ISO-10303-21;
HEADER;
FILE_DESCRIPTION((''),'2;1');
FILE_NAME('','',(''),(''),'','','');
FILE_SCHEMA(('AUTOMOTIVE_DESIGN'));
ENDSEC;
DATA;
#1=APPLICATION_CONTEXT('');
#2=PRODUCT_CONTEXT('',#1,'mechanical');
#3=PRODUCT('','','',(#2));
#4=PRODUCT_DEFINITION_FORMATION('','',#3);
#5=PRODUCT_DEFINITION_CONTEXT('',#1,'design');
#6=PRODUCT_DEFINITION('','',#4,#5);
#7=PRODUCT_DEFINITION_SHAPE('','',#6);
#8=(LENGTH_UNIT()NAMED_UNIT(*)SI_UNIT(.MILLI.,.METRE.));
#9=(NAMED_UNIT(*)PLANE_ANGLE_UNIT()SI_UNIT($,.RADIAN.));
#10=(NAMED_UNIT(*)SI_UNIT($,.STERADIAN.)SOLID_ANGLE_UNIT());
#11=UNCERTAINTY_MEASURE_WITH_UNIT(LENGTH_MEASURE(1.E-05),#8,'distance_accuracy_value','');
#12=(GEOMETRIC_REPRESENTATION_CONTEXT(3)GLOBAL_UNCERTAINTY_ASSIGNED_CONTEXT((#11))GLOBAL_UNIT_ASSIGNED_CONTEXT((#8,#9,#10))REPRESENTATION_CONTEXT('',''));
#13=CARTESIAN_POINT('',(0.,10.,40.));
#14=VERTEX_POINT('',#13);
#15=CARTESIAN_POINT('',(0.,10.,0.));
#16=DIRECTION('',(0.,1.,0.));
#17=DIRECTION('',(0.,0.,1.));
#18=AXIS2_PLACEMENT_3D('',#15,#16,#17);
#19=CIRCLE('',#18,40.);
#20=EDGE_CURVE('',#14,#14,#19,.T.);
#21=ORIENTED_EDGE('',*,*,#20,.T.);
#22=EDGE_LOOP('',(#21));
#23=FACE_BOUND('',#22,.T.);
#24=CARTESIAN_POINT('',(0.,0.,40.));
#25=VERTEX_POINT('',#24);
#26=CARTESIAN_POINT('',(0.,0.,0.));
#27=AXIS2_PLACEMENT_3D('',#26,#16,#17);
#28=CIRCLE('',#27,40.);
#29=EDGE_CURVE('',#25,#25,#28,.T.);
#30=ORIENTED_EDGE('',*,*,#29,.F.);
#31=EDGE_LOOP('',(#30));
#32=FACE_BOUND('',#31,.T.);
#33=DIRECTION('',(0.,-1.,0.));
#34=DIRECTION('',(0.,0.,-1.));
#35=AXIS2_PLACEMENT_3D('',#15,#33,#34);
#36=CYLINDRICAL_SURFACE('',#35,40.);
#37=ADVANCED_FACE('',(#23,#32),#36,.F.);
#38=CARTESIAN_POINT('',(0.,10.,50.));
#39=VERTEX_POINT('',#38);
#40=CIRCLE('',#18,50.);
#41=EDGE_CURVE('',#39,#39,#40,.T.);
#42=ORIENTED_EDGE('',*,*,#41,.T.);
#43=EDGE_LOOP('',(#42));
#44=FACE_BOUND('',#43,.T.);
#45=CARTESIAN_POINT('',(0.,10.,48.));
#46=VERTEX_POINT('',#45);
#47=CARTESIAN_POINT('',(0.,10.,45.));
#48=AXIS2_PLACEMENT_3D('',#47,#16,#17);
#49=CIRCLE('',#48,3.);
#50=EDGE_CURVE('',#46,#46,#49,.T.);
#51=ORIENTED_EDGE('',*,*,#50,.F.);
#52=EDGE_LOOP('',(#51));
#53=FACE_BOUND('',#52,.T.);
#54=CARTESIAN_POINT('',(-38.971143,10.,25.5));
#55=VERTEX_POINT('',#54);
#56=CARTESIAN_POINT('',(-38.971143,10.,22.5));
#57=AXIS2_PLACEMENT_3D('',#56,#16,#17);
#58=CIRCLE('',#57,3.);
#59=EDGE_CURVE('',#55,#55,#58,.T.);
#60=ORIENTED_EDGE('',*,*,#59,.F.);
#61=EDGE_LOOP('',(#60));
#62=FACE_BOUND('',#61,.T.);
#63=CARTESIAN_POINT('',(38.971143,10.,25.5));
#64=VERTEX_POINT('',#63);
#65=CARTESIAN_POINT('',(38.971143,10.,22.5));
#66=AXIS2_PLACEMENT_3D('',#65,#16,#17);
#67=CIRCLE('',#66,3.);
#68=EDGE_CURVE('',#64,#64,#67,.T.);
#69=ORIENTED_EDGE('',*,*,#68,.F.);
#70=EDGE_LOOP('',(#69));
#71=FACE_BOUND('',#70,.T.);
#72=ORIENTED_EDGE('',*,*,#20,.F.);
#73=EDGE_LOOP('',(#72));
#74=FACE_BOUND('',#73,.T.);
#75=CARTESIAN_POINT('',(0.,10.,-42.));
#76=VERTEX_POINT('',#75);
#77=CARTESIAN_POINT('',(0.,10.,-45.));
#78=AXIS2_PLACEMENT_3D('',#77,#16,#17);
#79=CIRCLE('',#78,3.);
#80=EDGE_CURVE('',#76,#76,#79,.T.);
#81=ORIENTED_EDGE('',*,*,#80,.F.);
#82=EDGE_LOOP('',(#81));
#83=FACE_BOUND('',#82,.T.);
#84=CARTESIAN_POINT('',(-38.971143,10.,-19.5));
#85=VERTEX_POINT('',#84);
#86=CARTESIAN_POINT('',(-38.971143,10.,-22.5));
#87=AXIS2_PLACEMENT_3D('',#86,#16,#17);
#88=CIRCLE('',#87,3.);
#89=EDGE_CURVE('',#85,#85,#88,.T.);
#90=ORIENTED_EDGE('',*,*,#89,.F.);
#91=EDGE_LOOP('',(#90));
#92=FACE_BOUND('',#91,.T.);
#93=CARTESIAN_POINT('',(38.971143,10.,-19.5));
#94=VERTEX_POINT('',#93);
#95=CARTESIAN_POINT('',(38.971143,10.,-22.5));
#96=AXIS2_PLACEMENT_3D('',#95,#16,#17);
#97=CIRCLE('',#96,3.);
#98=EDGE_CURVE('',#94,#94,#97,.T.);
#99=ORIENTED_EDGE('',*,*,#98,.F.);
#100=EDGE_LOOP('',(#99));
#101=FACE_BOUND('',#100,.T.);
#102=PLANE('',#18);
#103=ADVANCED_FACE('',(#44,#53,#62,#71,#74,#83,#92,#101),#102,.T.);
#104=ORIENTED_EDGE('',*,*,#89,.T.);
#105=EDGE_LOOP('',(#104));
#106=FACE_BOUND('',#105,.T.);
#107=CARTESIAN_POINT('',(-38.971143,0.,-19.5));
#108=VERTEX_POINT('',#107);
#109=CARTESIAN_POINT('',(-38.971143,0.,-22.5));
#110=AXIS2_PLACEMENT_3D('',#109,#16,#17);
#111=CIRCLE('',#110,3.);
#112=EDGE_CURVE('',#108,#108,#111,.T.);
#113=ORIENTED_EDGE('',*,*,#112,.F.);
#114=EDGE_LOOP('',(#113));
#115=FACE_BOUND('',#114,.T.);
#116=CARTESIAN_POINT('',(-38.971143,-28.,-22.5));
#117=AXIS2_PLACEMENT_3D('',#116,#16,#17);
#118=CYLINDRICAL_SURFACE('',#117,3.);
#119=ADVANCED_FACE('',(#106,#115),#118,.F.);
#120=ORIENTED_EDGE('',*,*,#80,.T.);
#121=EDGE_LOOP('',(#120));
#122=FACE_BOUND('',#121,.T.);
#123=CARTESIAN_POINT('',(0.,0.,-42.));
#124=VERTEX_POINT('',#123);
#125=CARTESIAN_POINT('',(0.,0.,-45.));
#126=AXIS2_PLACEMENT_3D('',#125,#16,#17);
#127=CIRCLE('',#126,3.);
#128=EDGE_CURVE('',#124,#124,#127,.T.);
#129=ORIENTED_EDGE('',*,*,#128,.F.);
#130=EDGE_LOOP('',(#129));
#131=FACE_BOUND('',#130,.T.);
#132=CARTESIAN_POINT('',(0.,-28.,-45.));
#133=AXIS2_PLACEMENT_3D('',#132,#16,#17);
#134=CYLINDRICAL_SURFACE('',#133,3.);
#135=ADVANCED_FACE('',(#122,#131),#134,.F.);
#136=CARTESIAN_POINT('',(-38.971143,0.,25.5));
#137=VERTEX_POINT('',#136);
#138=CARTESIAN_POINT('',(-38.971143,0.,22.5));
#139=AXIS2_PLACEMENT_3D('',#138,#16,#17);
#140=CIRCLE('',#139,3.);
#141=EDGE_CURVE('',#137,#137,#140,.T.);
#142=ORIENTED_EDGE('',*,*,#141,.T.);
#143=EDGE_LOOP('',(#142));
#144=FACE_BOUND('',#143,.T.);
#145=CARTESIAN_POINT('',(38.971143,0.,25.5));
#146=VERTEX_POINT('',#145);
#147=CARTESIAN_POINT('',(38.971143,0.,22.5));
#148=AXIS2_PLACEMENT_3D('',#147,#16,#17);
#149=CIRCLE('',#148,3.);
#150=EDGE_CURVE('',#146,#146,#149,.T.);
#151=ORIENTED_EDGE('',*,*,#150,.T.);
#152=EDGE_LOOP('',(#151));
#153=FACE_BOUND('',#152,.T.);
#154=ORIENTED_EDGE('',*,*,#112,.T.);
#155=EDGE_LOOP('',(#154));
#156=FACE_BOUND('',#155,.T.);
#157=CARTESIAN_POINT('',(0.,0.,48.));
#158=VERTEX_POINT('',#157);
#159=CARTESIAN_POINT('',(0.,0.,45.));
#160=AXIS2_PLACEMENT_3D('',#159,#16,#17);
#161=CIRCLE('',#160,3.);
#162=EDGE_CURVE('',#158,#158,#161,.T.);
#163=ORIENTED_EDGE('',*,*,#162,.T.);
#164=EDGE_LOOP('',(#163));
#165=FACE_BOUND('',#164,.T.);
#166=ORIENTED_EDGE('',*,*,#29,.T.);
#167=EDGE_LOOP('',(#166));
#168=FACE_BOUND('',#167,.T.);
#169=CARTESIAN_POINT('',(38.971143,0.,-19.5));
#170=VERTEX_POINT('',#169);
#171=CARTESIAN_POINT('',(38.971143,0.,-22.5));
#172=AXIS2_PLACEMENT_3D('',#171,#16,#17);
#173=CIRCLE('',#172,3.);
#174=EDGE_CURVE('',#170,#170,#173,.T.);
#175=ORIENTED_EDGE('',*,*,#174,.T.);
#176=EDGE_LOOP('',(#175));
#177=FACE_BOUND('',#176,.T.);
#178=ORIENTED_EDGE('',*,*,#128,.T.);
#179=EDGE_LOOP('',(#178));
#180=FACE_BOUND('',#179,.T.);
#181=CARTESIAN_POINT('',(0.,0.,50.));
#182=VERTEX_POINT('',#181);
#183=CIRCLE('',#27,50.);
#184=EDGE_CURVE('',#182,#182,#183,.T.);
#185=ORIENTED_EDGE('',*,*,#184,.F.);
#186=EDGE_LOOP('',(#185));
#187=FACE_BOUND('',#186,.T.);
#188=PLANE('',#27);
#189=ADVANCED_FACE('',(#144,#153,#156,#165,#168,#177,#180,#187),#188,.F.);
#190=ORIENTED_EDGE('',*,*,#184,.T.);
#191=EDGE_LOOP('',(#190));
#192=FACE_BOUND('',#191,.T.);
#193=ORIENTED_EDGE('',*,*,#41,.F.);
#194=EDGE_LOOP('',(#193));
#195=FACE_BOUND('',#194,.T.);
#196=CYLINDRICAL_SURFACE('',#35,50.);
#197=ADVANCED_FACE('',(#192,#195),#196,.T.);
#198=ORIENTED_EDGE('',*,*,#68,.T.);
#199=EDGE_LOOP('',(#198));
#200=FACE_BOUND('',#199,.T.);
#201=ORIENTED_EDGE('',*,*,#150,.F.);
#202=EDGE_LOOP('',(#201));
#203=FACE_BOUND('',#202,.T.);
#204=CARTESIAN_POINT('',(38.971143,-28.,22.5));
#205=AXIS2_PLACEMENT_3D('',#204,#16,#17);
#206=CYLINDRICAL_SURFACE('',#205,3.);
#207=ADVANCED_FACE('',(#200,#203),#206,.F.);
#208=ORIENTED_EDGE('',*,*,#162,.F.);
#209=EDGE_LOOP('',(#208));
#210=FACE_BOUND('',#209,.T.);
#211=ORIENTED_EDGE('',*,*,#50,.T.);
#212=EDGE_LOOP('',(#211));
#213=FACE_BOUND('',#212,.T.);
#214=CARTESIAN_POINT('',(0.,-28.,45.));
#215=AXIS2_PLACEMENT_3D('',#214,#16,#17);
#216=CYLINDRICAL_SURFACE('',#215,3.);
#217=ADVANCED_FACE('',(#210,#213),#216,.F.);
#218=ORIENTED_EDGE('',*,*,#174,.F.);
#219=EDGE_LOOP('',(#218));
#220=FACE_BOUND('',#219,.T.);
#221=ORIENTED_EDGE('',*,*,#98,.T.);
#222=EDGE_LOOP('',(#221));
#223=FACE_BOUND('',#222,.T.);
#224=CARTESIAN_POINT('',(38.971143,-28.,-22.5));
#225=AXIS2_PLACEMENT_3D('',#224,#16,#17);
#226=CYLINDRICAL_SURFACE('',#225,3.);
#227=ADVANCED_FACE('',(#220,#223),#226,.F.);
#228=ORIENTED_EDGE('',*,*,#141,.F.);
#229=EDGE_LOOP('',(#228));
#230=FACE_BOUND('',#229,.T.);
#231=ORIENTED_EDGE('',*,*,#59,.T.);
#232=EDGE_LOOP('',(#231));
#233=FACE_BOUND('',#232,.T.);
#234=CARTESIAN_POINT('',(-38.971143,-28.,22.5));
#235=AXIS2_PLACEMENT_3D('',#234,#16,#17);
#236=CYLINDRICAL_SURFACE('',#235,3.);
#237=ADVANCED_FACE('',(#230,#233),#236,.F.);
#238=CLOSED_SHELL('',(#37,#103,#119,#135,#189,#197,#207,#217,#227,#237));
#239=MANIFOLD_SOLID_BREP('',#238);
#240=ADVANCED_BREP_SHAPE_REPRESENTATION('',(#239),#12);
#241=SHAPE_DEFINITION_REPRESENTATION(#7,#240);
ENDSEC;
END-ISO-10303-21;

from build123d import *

# Parameters (mm, degrees)
SKETCH2_R           = 50
SKETCH2_R_2         = 40
BOSS_EXTRUDE1_DEPTH = 10
SKETCH3_R           = 3
CUT_EXTRUDE1_DEPTH  = 38


with BuildPart() as part:
    # Sketch2 → Boss-Extrude1 (new body)
    with BuildSketch(Plane(origin=(0, 0, 0), x_dir=(1, 0, 0), z_dir=(0, 1, 0))):
        with Locations(Location((0, 0, 0), (0, 0, 270))):
            Circle(SKETCH2_R)
        with Locations(Location((0, 0, 0), (0, 0, 270))):
            Circle(SKETCH2_R_2, mode=Mode.SUBTRACT)
    extrude(amount=BOSS_EXTRUDE1_DEPTH)

    # Sketch3 → Cut-Extrude1 (cut)
    with BuildSketch(Plane(origin=(0, 10, 0), x_dir=(1, 0, 0), z_dir=(0, 1, 0))):
        with Locations(Location((0, 45, 0), (0, 0, 270))):
            Circle(SKETCH3_R)
        with Locations(Location((38.97114317, 22.5, 0), (0, 0, 270))):
            Circle(SKETCH3_R)
        with Locations(Location((38.97114317, -22.5, 0), (0, 0, 270))):
            Circle(SKETCH3_R)
        with Locations(Location((0, -45, 0), (0, 0, 270))):
            Circle(SKETCH3_R)
        with Locations(Location((-38.97114317, -22.5, 0), (0, 0, 270))):
            Circle(SKETCH3_R)
        with Locations(Location((-38.97114317, 22.5, 0), (0, 0, 270))):
            Circle(SKETCH3_R)
    extrude(amount=-CUT_EXTRUDE1_DEPTH, mode=Mode.SUBTRACT)


solid = part.part
